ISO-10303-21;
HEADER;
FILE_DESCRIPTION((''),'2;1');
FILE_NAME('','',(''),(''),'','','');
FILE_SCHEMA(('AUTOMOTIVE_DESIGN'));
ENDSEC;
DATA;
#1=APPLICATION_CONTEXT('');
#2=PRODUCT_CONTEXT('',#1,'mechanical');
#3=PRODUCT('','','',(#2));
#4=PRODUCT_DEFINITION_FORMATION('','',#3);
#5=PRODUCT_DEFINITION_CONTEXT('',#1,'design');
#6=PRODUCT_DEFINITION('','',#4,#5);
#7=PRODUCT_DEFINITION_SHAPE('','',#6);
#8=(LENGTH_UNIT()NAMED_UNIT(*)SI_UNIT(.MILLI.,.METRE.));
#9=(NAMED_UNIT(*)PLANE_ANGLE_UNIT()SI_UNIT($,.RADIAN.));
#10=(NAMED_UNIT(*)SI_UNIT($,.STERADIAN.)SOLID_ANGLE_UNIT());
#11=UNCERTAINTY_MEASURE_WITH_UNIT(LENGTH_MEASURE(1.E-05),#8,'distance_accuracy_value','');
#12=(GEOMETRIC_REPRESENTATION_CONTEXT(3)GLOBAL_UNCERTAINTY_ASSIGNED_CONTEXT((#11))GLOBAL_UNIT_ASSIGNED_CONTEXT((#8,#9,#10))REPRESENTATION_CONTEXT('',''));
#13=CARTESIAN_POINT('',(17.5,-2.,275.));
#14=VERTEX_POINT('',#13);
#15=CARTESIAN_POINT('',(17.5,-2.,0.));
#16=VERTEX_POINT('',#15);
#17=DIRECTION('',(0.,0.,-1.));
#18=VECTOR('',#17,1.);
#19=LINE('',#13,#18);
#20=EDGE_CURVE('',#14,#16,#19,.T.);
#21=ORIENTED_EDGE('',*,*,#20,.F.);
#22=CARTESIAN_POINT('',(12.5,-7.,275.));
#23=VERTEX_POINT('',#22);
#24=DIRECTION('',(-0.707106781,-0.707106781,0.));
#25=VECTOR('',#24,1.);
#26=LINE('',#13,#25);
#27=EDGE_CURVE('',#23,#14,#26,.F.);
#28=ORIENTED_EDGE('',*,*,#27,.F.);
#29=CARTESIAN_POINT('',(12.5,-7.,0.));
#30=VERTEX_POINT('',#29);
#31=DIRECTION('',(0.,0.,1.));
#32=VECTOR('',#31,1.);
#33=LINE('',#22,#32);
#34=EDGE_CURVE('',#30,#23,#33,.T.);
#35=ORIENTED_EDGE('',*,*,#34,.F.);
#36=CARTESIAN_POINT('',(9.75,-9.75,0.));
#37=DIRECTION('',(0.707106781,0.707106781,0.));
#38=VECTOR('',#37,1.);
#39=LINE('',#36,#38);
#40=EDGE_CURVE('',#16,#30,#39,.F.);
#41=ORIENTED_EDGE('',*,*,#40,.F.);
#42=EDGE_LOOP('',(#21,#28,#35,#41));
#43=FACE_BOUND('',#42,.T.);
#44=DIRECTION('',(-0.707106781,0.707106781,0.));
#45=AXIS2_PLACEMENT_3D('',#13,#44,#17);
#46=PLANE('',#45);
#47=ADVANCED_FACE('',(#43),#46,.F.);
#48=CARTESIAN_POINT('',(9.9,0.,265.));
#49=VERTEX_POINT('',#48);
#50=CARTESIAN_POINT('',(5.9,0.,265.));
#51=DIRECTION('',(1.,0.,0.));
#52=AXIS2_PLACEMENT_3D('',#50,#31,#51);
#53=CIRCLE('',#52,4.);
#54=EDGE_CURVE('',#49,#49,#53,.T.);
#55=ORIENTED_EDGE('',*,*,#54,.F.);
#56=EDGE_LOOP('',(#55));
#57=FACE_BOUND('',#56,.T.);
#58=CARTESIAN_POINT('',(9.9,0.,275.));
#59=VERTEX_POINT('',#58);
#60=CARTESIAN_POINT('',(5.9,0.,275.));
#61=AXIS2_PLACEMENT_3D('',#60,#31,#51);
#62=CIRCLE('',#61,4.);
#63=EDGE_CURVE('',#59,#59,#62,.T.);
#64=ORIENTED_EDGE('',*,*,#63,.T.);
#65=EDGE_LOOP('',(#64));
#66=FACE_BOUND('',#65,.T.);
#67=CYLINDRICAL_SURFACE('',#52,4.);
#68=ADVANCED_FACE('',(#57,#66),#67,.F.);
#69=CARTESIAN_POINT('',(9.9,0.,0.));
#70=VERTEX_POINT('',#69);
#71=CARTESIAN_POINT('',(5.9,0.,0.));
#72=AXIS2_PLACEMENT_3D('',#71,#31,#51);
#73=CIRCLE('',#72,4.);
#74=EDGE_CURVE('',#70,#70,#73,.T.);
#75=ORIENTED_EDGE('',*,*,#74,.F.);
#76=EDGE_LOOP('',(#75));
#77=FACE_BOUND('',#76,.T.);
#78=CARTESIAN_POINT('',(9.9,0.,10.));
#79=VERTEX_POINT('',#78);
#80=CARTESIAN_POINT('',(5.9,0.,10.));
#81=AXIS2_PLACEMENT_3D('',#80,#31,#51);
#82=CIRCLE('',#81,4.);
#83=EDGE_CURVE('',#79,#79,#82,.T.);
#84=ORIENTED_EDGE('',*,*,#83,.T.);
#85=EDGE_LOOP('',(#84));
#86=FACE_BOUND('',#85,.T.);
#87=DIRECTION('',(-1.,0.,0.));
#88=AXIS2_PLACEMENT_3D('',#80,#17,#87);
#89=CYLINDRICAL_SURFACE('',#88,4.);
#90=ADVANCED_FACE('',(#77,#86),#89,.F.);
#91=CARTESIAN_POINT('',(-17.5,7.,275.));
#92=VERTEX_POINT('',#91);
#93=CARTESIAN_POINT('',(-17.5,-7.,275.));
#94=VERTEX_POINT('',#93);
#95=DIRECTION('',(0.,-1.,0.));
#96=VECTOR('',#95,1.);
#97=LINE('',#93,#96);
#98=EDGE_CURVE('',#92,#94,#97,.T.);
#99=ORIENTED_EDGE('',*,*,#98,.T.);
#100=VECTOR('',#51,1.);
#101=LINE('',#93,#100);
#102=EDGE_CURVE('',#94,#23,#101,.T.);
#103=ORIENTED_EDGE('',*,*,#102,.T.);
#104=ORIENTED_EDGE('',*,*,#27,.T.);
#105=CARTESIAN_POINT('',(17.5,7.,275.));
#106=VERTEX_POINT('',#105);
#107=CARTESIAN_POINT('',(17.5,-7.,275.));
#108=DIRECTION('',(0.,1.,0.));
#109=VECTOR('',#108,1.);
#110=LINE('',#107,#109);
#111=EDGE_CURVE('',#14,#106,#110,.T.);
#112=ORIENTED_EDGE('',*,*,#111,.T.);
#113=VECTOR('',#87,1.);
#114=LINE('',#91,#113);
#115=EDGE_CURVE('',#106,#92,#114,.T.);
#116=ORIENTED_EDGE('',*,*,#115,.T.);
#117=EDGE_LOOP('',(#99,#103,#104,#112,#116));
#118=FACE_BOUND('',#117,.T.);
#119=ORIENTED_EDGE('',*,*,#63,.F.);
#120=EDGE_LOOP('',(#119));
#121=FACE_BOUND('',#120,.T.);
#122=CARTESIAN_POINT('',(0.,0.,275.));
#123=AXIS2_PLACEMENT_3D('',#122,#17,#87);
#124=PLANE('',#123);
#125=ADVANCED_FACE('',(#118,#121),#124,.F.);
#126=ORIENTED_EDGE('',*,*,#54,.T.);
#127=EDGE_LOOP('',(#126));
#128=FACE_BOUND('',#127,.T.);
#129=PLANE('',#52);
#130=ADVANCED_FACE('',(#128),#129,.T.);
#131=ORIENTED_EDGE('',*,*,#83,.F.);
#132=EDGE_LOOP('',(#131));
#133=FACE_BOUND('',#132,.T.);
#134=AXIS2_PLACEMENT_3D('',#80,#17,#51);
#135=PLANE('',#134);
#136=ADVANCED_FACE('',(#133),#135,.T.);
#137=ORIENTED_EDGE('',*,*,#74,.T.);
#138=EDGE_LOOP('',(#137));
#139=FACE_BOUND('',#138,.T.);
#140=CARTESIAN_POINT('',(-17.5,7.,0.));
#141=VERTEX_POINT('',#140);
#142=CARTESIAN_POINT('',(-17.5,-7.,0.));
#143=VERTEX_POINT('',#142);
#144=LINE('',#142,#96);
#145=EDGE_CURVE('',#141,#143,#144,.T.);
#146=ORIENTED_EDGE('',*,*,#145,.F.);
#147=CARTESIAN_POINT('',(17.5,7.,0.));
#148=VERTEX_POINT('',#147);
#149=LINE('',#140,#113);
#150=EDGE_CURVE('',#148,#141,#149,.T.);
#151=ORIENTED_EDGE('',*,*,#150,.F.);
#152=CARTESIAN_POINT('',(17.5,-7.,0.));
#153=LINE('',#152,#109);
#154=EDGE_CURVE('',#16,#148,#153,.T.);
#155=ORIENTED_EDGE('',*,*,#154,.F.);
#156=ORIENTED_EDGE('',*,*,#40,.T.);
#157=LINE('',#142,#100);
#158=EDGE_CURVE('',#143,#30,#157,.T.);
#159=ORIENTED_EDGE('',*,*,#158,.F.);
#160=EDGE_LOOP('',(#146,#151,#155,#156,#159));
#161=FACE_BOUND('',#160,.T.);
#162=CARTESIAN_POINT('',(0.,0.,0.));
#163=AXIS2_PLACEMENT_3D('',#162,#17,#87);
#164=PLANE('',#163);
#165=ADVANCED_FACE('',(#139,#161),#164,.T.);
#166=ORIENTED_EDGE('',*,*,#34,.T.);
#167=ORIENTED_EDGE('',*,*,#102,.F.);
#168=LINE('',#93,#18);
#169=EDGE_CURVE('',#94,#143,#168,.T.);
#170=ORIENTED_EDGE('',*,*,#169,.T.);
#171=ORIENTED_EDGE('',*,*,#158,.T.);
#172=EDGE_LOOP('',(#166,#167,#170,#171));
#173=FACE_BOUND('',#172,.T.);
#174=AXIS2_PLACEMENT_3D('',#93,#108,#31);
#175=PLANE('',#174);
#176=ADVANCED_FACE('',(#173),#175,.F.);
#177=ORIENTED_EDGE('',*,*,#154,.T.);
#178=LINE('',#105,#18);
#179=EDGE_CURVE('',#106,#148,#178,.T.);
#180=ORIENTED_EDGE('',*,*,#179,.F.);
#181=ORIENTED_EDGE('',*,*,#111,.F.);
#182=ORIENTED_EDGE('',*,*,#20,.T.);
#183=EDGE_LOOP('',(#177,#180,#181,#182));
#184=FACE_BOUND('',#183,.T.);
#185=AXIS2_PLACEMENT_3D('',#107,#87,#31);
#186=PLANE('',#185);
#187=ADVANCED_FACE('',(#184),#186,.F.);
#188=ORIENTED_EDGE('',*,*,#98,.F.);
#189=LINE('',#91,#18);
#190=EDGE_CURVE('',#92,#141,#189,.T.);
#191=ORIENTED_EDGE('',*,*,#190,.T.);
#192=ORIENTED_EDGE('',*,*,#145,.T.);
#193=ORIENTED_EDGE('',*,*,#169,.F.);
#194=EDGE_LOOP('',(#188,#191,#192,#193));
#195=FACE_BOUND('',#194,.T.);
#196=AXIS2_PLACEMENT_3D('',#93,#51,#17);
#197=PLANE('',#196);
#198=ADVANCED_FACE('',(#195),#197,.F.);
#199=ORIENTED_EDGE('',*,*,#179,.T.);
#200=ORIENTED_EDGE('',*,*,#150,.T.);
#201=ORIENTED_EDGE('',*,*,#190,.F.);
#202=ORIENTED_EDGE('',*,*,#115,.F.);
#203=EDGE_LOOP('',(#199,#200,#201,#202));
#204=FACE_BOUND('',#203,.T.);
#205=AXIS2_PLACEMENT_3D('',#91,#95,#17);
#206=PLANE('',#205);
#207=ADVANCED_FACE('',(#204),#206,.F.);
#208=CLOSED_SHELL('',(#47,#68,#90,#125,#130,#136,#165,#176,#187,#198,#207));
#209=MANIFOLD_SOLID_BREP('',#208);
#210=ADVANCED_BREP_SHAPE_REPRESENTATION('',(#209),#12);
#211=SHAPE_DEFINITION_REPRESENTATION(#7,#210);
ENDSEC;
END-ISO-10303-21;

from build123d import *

# Parameters (mm, degrees)
SKETCH_1_W          = 35
SKETCH_1_H          = 14
EXTRUDE_1_DEPTH     = 275
CHAMFER_1_SIZE      = 5
SKETCH_2_R          = 4
CUT_EXTRUDE_1_DEPTH = 10


with BuildPart() as part:
    # 草图1 → 凸台-拉伸1 (new body)
    with BuildSketch(Plane.XY):
        Rectangle(SKETCH_1_W, SKETCH_1_H)
    extrude(amount=EXTRUDE_1_DEPTH)

    # 倒角1
    chamfer_1_edges = [part.edges().sort_by_distance(p)[0] for p in [
        (17.5, -7, 137.5),
    ]]
    chamfer(chamfer_1_edges, length=CHAMFER_1_SIZE)

    # 草图2 → 切除-拉伸1 (cut)
    with BuildSketch(Plane.XY.offset(275)):
        with Locations((5.9, 0)):
            Circle(SKETCH_2_R)
    cut_extrude_1 = extrude(amount=-CUT_EXTRUDE_1_DEPTH, mode=Mode.SUBTRACT)

    # 镜向1: 切除-拉伸1 across plane
    add(cut_extrude_1.mirror(Plane(origin=(0, 0, 137.5), x_dir=(1, 0, 0), z_dir=(0, 0, -1))), mode=Mode.SUBTRACT)


solid = part.part
